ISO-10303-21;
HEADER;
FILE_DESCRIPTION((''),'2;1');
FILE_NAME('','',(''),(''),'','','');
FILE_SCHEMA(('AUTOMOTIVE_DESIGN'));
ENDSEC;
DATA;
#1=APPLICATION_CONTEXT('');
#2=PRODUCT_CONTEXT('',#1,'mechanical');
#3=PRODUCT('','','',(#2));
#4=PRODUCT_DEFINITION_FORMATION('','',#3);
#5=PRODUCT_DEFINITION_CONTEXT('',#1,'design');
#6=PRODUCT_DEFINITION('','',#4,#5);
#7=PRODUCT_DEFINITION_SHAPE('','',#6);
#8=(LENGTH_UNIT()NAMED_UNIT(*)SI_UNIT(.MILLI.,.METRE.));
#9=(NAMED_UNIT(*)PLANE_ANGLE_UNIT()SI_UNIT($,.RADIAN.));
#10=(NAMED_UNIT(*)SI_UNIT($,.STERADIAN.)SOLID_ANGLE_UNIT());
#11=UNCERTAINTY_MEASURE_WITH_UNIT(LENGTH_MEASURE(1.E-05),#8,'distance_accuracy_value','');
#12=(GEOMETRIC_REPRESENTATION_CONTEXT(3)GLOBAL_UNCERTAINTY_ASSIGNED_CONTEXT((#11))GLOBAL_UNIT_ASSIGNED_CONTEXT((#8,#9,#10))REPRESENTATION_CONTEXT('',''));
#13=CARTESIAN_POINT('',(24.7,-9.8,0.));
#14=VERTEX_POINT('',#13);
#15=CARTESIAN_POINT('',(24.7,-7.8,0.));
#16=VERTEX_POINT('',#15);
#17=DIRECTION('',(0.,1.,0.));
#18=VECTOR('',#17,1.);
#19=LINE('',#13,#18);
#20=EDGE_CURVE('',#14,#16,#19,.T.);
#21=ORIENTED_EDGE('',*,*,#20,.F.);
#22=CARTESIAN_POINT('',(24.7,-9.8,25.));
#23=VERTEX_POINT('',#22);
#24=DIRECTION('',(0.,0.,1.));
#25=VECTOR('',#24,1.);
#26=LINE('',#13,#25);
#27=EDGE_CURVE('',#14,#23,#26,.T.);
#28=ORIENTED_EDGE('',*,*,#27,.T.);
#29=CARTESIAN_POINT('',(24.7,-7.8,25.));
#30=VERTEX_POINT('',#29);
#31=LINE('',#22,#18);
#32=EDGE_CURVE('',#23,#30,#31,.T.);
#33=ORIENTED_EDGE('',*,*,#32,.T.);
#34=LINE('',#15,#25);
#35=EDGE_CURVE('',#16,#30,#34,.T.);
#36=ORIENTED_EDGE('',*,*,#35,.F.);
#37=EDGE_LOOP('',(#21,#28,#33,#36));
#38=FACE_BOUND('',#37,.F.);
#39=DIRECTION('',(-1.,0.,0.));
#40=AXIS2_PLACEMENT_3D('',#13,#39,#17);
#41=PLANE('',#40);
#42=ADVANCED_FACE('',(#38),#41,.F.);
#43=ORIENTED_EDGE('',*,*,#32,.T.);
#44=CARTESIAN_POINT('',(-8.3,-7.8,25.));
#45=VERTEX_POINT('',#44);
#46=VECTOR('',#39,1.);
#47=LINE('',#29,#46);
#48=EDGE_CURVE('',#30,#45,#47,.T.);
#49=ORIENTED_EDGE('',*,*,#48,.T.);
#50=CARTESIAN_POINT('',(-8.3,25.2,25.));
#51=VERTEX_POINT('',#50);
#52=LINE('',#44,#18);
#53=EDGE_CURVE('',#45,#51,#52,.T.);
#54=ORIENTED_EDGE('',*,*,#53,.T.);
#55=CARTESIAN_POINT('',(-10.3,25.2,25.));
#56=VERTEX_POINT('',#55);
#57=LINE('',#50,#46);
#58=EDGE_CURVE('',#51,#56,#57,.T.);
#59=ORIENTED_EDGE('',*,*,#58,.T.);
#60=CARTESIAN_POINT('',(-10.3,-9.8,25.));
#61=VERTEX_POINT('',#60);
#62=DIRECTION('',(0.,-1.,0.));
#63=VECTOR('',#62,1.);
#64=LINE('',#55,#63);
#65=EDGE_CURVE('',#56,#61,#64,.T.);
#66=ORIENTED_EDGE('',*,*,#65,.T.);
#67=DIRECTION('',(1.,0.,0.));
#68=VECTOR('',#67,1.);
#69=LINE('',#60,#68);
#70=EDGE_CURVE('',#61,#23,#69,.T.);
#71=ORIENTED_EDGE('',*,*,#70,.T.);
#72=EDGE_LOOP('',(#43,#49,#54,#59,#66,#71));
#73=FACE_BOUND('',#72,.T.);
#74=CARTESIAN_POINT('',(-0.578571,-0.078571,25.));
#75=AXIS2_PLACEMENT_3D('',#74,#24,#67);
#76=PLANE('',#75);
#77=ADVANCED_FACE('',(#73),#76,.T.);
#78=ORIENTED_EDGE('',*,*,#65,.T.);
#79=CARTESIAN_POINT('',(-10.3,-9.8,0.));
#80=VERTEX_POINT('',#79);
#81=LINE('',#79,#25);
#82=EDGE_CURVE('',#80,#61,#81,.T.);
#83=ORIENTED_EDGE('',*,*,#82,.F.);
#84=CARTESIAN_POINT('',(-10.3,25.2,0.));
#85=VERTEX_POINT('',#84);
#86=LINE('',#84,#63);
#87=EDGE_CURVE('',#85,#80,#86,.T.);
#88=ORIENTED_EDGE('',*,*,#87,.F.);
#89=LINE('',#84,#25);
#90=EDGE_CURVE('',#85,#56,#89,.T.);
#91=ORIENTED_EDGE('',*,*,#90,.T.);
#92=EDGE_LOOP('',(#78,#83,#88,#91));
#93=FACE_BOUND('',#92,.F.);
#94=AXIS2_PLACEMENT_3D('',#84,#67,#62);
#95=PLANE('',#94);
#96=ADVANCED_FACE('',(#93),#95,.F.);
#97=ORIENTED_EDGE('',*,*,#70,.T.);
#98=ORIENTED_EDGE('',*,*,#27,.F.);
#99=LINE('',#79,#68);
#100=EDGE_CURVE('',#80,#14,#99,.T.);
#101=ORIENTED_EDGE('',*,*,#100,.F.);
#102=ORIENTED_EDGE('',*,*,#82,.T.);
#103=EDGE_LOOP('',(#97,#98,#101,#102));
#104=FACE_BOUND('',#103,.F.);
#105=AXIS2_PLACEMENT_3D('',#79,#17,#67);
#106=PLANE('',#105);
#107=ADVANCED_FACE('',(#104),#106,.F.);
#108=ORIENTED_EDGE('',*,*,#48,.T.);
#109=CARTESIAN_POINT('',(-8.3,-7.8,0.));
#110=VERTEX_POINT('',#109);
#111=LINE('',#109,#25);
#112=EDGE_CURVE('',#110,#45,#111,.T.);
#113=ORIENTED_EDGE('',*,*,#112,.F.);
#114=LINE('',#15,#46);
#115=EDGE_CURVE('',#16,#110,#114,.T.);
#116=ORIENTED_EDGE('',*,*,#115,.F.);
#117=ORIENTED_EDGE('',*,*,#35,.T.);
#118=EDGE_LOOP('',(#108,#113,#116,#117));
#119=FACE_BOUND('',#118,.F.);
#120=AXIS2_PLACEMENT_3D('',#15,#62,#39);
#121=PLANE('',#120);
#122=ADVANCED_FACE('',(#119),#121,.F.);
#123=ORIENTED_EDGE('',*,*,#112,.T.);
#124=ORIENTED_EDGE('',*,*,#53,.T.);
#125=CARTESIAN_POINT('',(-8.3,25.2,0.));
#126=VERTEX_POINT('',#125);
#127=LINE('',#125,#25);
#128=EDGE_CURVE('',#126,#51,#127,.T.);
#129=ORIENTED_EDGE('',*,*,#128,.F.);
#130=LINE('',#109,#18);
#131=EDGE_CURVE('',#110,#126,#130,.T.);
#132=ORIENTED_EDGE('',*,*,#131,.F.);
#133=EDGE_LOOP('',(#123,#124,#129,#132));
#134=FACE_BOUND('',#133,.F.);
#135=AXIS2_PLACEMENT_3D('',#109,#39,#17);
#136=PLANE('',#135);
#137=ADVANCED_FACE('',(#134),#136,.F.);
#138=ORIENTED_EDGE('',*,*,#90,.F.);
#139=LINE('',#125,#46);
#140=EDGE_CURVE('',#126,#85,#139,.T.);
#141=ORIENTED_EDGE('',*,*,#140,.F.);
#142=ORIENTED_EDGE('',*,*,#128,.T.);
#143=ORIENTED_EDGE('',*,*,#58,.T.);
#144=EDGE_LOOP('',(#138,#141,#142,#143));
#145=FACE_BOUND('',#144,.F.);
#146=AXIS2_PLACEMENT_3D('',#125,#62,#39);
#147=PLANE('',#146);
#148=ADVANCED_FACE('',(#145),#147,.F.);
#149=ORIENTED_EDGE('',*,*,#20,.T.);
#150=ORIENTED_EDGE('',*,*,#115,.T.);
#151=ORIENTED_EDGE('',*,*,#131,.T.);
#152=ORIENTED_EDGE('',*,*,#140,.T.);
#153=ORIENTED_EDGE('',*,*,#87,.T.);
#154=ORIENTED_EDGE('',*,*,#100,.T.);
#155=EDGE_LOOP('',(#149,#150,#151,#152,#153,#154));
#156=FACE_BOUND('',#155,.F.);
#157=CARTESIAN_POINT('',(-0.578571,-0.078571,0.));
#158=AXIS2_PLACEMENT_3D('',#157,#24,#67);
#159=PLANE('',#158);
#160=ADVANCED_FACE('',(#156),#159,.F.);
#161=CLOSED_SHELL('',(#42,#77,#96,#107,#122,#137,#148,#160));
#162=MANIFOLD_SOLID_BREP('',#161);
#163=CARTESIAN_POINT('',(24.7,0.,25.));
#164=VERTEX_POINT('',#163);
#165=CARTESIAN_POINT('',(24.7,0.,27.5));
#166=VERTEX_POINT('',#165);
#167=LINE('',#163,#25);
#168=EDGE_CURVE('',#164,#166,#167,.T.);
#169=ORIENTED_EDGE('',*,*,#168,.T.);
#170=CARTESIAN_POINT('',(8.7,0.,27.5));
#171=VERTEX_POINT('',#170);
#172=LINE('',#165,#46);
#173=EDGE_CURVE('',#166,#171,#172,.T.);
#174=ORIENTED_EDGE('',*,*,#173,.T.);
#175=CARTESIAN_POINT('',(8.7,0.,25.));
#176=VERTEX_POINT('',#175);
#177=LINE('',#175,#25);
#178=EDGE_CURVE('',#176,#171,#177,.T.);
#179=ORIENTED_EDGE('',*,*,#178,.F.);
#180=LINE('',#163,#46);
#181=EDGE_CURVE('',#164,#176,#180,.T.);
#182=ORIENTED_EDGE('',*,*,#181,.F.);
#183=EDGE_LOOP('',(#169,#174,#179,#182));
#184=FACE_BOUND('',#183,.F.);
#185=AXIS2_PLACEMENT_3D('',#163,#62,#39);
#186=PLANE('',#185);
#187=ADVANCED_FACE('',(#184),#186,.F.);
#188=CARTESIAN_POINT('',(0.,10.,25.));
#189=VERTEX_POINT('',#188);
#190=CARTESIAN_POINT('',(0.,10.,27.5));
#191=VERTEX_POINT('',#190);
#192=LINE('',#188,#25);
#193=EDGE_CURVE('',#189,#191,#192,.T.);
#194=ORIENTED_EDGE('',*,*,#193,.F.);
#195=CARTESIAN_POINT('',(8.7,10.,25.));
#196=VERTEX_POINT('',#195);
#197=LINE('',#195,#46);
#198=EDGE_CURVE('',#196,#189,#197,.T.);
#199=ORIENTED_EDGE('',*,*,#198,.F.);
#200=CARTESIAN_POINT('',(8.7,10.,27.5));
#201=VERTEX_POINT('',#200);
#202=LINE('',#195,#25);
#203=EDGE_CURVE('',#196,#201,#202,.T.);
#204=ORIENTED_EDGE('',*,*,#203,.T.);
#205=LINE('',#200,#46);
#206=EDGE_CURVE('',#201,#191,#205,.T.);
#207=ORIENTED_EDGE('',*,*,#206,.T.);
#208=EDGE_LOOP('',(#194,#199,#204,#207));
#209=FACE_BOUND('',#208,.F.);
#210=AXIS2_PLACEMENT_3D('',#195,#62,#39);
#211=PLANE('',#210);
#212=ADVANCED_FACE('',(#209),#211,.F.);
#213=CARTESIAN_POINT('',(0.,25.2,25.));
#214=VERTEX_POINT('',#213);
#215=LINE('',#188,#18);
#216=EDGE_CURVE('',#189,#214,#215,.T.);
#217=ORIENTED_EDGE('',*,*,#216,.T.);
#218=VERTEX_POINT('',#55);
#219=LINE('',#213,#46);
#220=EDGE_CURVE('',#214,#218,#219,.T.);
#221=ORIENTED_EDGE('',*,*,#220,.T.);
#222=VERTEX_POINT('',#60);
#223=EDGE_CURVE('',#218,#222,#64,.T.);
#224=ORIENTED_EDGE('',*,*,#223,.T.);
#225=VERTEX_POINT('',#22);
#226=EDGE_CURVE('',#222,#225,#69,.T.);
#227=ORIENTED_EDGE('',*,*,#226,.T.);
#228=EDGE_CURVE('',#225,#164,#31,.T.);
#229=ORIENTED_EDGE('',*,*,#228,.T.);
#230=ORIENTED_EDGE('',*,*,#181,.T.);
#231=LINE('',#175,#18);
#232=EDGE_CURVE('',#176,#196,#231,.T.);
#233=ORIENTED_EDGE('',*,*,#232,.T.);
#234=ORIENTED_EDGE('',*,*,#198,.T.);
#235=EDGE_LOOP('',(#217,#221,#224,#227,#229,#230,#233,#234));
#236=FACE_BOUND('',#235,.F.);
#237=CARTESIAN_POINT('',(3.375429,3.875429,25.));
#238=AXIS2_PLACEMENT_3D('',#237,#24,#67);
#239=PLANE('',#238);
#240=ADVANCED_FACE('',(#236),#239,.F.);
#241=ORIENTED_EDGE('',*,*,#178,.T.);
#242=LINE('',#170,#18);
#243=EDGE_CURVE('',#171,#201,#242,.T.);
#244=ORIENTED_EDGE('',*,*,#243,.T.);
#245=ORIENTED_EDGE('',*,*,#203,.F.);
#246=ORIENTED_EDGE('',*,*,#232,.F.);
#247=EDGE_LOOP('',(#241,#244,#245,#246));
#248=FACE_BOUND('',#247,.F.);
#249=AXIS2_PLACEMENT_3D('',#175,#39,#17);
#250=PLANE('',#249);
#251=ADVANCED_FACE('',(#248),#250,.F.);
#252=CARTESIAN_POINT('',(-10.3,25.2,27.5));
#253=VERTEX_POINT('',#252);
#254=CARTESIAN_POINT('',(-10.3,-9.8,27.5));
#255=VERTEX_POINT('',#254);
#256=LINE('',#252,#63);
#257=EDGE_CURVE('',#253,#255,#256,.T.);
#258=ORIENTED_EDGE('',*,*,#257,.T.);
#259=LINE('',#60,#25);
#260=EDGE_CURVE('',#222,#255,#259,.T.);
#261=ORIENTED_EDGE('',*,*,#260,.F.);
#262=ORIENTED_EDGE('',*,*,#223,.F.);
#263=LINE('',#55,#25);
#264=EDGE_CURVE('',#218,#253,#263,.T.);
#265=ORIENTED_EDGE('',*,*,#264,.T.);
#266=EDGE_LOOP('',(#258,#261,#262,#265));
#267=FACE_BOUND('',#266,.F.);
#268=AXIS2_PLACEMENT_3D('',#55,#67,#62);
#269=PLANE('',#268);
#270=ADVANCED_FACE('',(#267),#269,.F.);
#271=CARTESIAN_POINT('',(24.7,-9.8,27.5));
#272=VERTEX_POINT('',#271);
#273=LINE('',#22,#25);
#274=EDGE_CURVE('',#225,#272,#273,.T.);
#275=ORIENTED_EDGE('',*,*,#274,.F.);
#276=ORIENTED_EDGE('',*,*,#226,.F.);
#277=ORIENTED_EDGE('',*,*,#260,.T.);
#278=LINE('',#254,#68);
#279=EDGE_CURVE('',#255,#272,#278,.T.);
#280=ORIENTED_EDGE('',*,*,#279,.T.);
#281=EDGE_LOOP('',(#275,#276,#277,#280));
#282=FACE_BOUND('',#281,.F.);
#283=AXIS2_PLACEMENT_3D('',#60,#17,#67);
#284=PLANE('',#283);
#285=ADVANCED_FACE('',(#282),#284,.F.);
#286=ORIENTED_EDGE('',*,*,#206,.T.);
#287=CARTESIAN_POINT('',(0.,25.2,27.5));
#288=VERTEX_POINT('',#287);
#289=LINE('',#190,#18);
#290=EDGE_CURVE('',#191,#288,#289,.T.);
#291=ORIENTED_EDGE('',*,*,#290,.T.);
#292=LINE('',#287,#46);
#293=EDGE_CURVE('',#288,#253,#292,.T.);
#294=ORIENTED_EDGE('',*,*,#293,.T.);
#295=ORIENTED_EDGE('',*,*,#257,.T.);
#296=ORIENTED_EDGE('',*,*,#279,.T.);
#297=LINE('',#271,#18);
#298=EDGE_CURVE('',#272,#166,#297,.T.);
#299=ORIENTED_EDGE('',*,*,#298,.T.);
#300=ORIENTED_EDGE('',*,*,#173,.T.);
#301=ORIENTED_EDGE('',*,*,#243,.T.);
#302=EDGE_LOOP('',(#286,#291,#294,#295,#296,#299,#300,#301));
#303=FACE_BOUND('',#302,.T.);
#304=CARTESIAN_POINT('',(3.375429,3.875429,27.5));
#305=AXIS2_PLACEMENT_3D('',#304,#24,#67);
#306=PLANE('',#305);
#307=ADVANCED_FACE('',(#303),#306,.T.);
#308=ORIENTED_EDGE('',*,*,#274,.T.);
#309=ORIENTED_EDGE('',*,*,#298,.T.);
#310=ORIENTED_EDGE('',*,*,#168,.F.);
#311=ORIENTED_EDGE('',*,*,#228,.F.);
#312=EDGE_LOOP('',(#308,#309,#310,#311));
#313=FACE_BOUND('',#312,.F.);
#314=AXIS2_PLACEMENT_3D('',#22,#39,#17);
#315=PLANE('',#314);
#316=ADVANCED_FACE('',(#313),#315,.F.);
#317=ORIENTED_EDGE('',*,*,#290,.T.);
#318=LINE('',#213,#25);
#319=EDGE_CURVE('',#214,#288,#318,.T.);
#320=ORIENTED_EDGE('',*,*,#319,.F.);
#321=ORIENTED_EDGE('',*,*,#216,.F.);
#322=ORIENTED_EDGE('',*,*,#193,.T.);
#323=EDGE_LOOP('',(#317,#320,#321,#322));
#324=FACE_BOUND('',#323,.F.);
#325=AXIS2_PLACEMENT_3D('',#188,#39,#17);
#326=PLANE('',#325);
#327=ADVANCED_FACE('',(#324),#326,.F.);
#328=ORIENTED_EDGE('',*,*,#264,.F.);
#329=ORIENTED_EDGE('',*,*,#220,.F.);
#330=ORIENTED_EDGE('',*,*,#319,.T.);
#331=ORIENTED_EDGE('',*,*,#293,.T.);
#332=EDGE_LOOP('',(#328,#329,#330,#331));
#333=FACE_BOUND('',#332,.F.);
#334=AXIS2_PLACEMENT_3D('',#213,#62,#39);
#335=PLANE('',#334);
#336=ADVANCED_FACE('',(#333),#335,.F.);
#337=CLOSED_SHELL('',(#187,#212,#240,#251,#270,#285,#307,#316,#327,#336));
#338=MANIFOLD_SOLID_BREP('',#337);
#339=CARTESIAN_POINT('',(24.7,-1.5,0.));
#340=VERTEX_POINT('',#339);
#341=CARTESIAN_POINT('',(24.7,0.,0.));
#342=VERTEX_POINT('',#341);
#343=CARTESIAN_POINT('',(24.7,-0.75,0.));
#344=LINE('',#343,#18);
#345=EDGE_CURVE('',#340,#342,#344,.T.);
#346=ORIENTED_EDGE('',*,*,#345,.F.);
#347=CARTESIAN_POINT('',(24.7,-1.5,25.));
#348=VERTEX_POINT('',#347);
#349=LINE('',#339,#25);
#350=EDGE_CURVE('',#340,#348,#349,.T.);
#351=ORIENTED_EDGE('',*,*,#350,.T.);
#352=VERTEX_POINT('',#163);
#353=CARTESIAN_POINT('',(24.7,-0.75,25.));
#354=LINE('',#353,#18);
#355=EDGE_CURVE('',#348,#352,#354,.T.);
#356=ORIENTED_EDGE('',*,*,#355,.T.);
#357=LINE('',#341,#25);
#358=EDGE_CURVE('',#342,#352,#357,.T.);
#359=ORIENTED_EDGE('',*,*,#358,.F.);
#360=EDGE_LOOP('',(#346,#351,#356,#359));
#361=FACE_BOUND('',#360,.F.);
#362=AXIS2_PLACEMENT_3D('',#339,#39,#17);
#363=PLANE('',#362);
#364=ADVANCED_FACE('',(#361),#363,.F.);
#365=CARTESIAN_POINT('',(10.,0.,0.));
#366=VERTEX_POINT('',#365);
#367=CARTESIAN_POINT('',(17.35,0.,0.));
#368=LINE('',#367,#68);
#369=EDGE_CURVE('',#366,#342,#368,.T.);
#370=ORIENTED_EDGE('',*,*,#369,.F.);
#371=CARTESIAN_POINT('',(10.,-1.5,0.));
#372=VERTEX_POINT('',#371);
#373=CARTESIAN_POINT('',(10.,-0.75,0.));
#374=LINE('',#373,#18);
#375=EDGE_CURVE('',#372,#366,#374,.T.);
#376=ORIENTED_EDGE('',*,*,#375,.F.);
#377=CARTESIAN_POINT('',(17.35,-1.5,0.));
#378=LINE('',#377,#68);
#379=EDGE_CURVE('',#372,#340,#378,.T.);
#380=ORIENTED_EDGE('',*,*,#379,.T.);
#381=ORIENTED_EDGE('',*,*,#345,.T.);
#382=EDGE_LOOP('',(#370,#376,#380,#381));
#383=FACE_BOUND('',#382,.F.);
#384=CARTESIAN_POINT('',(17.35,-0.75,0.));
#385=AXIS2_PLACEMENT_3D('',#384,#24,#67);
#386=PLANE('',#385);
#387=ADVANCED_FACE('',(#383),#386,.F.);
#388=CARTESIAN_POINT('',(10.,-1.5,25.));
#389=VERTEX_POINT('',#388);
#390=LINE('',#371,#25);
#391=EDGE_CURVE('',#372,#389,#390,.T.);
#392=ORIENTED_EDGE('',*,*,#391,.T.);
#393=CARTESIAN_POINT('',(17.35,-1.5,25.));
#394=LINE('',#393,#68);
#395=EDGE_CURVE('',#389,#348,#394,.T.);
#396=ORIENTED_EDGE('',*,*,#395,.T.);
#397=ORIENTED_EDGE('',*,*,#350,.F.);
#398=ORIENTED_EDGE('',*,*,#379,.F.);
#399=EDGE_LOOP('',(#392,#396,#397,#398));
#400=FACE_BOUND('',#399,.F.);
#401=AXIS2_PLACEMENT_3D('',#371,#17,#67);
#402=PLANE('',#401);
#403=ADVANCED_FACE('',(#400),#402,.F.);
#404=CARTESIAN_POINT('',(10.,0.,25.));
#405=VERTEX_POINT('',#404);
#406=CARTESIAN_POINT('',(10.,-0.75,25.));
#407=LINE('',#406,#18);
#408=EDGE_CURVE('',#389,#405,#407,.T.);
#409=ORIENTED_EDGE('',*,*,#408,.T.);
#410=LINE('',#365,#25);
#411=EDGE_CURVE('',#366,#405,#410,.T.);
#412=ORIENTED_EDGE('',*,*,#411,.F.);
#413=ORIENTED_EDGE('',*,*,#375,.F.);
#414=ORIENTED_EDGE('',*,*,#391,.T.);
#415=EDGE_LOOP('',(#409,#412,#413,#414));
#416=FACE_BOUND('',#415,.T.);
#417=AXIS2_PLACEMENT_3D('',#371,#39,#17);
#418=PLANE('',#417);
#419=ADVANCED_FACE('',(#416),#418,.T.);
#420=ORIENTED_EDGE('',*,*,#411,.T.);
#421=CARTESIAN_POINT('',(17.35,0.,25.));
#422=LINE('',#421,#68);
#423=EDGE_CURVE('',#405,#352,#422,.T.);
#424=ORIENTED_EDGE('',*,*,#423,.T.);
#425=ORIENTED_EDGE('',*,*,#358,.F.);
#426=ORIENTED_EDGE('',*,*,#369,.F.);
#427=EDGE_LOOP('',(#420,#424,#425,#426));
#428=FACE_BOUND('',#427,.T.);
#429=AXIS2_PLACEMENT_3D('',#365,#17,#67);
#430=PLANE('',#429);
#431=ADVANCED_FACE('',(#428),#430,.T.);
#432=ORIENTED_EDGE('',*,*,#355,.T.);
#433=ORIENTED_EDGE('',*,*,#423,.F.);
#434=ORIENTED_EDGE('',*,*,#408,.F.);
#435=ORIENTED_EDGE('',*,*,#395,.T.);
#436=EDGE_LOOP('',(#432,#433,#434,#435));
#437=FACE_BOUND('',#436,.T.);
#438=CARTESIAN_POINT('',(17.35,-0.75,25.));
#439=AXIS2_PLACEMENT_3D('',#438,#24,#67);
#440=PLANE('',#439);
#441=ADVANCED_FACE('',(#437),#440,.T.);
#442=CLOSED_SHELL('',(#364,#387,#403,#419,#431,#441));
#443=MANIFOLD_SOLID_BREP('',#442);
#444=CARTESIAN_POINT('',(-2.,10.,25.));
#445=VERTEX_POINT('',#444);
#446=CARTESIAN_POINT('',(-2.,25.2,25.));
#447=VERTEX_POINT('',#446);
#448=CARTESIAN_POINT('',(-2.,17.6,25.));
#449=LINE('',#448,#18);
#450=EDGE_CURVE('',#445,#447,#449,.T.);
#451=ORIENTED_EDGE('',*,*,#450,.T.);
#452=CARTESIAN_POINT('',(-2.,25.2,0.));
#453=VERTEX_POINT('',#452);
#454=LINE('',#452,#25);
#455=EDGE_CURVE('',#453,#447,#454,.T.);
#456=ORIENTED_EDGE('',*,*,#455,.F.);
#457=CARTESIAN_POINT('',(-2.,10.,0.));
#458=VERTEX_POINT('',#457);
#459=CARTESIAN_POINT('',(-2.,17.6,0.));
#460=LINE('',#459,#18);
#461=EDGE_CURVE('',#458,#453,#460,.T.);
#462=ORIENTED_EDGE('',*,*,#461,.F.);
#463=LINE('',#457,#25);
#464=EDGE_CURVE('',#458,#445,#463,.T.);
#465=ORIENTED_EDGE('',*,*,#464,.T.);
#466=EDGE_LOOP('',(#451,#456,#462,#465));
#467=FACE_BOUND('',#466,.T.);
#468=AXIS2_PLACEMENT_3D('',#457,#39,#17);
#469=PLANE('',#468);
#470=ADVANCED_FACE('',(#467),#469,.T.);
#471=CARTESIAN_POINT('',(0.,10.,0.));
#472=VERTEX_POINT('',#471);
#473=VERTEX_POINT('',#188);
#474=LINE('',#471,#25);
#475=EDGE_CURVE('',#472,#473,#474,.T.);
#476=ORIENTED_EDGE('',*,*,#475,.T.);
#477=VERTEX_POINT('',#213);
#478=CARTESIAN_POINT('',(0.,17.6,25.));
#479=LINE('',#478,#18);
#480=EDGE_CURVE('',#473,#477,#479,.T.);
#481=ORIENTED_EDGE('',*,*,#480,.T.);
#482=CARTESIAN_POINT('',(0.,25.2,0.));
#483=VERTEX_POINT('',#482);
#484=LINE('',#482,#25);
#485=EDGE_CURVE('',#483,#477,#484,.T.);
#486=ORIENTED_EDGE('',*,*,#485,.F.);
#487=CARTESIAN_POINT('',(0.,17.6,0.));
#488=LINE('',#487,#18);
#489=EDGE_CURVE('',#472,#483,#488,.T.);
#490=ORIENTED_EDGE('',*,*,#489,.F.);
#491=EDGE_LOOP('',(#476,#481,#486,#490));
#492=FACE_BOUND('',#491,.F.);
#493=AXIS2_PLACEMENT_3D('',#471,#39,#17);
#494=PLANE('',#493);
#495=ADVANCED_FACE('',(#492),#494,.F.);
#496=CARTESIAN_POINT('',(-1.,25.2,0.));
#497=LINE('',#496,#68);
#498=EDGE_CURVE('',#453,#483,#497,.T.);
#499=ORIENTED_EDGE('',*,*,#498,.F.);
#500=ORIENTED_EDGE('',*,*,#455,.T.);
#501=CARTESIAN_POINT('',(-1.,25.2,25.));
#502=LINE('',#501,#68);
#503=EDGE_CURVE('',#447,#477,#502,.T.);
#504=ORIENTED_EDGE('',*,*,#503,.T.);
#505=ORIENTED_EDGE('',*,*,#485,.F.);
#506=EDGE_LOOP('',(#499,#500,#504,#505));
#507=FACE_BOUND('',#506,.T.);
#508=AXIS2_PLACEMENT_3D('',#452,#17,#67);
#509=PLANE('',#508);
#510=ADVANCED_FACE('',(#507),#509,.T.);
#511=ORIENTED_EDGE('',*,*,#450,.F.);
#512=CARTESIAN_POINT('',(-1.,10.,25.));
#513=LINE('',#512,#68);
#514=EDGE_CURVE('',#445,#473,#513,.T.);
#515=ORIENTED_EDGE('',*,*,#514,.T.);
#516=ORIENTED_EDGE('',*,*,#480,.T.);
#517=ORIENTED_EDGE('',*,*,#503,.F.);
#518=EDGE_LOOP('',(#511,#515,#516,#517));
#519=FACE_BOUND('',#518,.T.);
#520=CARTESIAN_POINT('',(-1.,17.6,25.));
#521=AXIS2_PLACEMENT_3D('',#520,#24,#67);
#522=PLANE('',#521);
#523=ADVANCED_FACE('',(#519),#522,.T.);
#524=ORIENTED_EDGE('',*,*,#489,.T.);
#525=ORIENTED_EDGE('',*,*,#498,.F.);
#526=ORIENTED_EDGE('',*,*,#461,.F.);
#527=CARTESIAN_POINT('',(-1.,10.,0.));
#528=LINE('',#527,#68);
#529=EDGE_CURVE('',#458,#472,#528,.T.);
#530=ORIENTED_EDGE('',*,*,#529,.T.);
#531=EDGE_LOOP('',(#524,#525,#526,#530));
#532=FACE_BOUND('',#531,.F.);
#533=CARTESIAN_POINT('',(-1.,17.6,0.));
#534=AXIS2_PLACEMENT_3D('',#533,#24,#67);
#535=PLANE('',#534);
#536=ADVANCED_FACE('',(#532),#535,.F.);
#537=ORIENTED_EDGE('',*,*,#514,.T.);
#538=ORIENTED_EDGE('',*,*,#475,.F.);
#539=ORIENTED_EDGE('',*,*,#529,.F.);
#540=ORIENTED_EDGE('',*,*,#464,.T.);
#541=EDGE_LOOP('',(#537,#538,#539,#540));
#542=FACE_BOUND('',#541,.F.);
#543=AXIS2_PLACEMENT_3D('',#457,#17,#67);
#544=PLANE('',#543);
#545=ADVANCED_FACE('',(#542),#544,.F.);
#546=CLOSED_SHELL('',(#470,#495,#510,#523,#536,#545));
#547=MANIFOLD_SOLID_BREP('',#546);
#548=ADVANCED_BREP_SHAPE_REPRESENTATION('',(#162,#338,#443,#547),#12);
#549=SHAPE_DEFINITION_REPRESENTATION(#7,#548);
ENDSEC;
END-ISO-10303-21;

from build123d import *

# Parameters (mm, degrees)
F0_W     = 14.7
F0_H     = 1.5
F0_W_2   = 2
F0_H_2   = 15.2
F1_DEPTH = 25
F3_DEPTH = 2.5


with BuildPart() as f1:
    # F0 (on Top) → F1 (new body)
    with BuildSketch(Plane.XY):
        Polygon((-8.3, 25.2), (-10.3, 25.2), (-10.3, -9.8), (24.7, -9.8), (24.7, -7.8), (-8.3, -7.8), align=None)
        with Locations((17.35, -0.75)):
            Rectangle(F0_W, F0_H)
        with Locations((-1, 17.6)):
            Rectangle(F0_W_2, F0_H_2)
    extrude(amount=F1_DEPTH)


with BuildPart() as f3:
    # F2 (on face) → F3 (new body)
    with BuildSketch(Plane.XY.offset(25)):
        Polygon((0, 25.2), (-10.3, 25.2), (-10.3, -9.8), (24.7, -9.8), (24.7, 0), (8.7, 0), (8.7, 10), (0, 10), align=None)
    extrude(amount=F3_DEPTH)


solid = Compound([f1.part, f3.part])
